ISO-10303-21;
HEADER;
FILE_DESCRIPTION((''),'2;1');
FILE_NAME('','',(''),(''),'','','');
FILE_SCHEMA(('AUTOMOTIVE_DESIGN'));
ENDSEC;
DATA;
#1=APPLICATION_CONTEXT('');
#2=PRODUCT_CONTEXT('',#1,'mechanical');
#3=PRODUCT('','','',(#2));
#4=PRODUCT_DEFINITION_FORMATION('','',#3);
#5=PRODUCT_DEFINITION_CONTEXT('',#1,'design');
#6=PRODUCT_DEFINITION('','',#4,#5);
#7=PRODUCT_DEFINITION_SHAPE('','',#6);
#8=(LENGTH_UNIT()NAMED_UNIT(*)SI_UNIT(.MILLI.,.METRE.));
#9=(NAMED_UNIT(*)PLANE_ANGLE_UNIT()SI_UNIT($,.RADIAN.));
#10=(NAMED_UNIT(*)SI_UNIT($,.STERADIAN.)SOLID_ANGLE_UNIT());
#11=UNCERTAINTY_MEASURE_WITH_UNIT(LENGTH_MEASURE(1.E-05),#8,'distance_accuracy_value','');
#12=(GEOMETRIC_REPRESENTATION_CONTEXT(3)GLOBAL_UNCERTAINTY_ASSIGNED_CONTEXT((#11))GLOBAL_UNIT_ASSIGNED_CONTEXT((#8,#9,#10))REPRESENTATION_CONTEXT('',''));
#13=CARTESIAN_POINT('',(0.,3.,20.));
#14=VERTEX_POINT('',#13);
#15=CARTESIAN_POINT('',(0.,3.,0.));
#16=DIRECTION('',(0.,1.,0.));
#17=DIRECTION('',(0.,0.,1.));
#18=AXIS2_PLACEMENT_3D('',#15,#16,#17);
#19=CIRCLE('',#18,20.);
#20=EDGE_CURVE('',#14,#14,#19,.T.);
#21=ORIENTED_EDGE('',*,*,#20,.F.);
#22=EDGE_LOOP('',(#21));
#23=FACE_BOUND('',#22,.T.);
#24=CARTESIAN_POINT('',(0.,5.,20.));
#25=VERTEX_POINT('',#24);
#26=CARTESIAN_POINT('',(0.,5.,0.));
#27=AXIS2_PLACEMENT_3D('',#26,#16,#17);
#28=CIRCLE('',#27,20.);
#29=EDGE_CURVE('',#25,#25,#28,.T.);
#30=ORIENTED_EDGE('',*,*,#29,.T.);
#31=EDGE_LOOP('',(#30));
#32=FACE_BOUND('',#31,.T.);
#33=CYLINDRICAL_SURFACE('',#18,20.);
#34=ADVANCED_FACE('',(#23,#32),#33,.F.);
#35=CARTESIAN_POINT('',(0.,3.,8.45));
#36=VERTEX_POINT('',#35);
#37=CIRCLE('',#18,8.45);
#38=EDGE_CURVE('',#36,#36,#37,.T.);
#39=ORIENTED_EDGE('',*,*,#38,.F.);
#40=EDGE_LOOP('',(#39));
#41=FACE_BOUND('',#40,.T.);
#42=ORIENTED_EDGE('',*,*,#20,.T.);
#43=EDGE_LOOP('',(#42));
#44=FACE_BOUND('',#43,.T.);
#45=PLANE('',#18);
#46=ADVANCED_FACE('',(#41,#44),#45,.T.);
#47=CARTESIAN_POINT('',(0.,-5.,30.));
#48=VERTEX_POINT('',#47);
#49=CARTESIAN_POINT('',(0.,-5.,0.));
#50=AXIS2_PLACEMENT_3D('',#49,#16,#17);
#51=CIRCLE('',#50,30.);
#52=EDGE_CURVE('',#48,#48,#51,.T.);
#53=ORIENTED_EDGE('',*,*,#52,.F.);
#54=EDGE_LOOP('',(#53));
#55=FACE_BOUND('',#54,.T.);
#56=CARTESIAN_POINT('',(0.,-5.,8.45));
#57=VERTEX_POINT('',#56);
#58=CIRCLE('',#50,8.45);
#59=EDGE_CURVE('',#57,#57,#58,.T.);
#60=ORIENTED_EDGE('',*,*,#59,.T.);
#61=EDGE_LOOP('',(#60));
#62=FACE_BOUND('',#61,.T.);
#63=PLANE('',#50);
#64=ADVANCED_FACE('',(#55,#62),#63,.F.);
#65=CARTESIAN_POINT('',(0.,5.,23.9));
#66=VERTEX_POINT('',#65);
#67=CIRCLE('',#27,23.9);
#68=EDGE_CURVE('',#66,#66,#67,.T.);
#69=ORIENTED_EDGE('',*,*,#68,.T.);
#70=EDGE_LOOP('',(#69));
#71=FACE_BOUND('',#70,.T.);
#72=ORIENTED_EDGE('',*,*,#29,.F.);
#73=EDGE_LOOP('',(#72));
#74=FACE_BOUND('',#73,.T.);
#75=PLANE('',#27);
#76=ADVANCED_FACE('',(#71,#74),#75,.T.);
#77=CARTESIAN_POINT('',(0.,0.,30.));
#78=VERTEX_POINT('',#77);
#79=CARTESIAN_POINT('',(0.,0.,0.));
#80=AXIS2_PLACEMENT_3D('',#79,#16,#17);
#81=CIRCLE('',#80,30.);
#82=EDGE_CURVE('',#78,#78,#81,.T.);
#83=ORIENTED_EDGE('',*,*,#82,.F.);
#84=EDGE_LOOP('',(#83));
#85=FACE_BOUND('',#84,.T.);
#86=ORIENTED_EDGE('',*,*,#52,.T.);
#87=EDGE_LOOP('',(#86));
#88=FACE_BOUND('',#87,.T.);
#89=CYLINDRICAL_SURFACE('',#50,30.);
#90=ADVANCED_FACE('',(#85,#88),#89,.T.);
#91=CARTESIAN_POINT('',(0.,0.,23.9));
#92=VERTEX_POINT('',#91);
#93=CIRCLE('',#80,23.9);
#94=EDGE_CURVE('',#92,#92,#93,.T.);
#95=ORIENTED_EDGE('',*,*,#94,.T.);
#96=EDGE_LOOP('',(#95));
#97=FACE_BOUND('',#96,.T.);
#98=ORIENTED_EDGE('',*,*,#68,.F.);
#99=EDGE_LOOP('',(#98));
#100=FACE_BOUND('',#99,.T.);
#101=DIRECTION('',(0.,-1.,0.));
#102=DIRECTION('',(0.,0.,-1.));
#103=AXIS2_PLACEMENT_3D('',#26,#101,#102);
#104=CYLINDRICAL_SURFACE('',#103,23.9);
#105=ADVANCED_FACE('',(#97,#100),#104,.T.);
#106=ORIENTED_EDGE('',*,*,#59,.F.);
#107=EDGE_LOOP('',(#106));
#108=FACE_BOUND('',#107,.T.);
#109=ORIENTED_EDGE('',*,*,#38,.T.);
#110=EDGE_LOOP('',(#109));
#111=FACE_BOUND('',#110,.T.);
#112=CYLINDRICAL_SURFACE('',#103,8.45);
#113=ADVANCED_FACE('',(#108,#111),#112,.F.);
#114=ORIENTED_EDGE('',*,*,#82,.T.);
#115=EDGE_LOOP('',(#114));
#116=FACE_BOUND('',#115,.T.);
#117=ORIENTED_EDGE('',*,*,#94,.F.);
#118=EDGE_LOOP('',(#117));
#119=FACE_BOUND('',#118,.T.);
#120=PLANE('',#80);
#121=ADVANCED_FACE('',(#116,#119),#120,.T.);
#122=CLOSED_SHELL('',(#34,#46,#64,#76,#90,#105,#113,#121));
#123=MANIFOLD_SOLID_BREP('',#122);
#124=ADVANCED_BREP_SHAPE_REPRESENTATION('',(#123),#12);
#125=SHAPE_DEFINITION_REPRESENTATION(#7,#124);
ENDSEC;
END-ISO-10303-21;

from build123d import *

# Parameters (mm, degrees)
CROQUIS1_R              = 23.9
CROQUIS1_R_2            = 8.45
SALIENTE_EXTRUIR1_DEPTH = 5
SALIENTE_EXTRUIR2_START = -5
CROQUIS1_3_R            = 30
CROQUIS1_3_R_2          = 8.45
SALIENTE_EXTRUIR2_DEPTH = 5
CROQUIS2_R              = 20
CORTAR_EXTRUIR1_DEPTH   = 2


with BuildPart() as part:
    # Croquis1 → Saliente-Extruir1 (new body)
    with BuildSketch(Plane(origin=(0, 0, 0), x_dir=(1, 0, 0), z_dir=(0, 1, 0))):
        Circle(CROQUIS1_R)
        Circle(CROQUIS1_R_2, mode=Mode.SUBTRACT)
    extrude(amount=SALIENTE_EXTRUIR1_DEPTH)

    # Croquis1<3> → Saliente-Extruir2 (add)
    with BuildSketch(Plane(origin=(0, 0, 0), x_dir=(1, 0, 0), z_dir=(0, 1, 0)).offset(SALIENTE_EXTRUIR2_START)):
        Circle(CROQUIS1_3_R)
        Circle(CROQUIS1_3_R_2, mode=Mode.SUBTRACT)
    extrude(amount=SALIENTE_EXTRUIR2_DEPTH)

    # Croquis2 → Cortar-Extruir1 (cut)
    with BuildSketch(Plane(origin=(0, 5, 0), x_dir=(1, 0, 0), z_dir=(0, 1, 0))):
        Circle(CROQUIS2_R)
    extrude(amount=-CORTAR_EXTRUIR1_DEPTH, mode=Mode.SUBTRACT)


solid = part.part
